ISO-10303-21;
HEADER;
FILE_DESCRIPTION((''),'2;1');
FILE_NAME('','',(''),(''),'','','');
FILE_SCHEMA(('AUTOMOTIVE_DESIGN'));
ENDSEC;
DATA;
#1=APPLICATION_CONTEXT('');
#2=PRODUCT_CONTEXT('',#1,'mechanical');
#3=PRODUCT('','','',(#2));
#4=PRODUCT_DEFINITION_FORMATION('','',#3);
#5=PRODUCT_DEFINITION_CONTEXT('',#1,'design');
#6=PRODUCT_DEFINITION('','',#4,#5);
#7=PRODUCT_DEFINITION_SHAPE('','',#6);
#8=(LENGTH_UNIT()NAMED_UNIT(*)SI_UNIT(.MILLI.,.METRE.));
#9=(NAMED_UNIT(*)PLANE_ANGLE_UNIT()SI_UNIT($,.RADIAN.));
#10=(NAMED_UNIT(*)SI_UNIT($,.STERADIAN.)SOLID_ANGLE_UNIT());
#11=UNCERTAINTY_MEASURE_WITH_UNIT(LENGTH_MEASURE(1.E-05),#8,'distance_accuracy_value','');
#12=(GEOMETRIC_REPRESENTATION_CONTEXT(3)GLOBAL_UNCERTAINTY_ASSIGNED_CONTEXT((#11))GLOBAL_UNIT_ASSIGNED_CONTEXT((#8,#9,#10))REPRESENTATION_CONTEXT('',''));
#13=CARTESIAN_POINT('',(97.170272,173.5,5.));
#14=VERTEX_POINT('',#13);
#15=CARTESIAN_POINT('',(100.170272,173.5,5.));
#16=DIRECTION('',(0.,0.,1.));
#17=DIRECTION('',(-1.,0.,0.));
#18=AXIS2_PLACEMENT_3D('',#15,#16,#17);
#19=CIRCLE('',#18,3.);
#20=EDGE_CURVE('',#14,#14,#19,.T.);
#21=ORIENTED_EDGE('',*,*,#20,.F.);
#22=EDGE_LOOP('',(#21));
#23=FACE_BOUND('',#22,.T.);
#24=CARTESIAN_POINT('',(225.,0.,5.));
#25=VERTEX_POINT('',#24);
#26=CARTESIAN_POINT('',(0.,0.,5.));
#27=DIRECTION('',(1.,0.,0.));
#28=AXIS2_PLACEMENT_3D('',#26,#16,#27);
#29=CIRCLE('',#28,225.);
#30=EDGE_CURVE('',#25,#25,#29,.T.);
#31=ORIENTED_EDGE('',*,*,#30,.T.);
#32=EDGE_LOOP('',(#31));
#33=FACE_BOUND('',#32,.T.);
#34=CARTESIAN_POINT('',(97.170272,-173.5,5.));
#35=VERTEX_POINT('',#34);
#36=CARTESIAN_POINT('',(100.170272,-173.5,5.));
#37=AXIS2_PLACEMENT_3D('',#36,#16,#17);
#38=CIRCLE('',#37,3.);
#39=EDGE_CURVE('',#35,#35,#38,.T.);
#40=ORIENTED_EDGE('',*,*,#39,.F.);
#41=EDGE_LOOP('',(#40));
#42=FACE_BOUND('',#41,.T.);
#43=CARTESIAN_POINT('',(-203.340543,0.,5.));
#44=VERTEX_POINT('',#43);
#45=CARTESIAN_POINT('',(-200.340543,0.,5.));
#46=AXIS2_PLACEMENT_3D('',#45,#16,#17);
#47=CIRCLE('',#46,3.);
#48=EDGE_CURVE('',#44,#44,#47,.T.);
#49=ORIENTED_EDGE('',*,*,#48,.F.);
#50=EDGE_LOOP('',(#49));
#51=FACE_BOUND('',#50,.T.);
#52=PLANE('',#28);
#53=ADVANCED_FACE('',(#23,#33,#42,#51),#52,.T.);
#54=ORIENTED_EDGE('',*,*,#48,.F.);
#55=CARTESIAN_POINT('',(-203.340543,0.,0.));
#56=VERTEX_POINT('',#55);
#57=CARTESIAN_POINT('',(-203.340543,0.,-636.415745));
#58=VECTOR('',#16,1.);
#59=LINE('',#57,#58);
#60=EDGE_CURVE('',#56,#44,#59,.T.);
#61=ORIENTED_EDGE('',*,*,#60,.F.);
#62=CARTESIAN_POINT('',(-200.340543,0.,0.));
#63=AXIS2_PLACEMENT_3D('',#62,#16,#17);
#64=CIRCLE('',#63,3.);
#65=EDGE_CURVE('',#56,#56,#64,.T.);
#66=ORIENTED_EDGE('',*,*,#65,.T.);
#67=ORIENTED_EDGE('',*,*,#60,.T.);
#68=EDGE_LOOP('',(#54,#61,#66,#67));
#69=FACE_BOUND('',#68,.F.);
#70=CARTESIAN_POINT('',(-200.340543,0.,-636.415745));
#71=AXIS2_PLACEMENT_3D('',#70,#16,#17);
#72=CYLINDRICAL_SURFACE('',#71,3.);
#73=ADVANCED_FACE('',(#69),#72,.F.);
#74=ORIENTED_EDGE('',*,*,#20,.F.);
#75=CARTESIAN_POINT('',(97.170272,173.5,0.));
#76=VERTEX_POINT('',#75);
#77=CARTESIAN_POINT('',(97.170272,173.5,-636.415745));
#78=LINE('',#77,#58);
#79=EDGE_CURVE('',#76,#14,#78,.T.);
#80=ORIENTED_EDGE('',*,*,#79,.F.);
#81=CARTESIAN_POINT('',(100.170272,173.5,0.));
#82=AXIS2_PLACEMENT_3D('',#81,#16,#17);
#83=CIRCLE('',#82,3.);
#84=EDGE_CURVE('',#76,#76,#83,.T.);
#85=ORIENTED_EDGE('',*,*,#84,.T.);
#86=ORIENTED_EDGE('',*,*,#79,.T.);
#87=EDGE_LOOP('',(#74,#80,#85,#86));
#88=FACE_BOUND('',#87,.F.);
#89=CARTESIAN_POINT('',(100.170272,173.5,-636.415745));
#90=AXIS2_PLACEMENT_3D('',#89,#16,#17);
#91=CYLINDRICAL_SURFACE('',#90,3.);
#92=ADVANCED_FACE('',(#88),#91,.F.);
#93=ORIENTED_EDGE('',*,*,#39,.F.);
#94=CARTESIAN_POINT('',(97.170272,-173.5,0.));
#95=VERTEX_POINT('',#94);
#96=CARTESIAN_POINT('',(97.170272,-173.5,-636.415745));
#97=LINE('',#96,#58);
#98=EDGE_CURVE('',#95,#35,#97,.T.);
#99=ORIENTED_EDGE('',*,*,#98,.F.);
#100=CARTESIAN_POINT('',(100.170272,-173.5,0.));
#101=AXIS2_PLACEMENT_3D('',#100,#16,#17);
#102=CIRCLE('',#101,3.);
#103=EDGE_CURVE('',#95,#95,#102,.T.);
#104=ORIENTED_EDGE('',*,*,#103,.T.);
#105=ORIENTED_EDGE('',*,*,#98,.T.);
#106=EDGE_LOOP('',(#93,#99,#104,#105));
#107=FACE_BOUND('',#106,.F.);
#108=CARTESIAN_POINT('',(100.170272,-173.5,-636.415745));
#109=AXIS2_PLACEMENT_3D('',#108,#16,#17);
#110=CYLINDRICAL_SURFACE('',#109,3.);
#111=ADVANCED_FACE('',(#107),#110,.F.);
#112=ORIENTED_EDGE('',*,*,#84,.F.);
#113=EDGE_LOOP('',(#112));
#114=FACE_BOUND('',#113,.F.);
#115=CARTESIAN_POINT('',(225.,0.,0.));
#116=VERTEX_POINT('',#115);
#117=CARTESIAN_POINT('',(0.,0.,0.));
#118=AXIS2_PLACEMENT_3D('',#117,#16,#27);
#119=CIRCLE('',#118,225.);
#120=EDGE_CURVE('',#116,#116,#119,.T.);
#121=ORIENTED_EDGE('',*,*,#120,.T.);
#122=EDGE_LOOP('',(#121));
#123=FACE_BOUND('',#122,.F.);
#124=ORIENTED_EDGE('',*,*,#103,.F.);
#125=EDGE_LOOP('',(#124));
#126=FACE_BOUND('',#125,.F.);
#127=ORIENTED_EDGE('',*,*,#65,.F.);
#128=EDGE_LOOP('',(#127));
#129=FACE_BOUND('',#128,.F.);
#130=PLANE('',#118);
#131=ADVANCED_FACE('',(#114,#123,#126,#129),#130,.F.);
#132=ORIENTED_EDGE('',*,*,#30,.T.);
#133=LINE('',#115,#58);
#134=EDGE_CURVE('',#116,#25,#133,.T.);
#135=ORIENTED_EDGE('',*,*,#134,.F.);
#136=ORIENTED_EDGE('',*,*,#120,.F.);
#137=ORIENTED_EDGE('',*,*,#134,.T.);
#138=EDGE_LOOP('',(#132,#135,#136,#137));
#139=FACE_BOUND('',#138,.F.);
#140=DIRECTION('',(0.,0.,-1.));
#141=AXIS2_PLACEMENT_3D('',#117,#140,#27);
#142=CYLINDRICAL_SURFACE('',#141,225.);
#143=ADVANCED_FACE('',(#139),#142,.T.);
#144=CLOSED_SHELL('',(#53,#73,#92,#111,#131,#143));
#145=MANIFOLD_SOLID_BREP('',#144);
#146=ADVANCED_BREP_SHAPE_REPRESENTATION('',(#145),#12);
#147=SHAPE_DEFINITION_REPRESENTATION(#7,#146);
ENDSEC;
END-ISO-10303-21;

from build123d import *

# Parameters (mm, degrees)
F0_R     = 225
F1_DEPTH = 5
F2_D     = 6


with BuildPart() as f1:
    # F0 (on Top) → F1 (new body)
    with BuildSketch(Plane.XY):
        Circle(F0_R)
        Polygon((-200.340543, 0), (100.170272, 173.5), (100.170272, -173.5), align=None, mode=Mode.SUBTRACT)
        Polygon((100.170272, -173.5), (100.170272, 173.5), (-200.340543, 0), align=None)
    extrude(amount=F1_DEPTH)

    # F2 (through all)
    with Locations(Plane(origin=(0, 0, 0), x_dir=(1, 0, 0), z_dir=(0, 0, -1))):
        with Locations((100.170272, 173.5), (-200.340543, 0), (100.170272, -173.5)):
            Hole(F2_D / 2)


solid = f1.part
